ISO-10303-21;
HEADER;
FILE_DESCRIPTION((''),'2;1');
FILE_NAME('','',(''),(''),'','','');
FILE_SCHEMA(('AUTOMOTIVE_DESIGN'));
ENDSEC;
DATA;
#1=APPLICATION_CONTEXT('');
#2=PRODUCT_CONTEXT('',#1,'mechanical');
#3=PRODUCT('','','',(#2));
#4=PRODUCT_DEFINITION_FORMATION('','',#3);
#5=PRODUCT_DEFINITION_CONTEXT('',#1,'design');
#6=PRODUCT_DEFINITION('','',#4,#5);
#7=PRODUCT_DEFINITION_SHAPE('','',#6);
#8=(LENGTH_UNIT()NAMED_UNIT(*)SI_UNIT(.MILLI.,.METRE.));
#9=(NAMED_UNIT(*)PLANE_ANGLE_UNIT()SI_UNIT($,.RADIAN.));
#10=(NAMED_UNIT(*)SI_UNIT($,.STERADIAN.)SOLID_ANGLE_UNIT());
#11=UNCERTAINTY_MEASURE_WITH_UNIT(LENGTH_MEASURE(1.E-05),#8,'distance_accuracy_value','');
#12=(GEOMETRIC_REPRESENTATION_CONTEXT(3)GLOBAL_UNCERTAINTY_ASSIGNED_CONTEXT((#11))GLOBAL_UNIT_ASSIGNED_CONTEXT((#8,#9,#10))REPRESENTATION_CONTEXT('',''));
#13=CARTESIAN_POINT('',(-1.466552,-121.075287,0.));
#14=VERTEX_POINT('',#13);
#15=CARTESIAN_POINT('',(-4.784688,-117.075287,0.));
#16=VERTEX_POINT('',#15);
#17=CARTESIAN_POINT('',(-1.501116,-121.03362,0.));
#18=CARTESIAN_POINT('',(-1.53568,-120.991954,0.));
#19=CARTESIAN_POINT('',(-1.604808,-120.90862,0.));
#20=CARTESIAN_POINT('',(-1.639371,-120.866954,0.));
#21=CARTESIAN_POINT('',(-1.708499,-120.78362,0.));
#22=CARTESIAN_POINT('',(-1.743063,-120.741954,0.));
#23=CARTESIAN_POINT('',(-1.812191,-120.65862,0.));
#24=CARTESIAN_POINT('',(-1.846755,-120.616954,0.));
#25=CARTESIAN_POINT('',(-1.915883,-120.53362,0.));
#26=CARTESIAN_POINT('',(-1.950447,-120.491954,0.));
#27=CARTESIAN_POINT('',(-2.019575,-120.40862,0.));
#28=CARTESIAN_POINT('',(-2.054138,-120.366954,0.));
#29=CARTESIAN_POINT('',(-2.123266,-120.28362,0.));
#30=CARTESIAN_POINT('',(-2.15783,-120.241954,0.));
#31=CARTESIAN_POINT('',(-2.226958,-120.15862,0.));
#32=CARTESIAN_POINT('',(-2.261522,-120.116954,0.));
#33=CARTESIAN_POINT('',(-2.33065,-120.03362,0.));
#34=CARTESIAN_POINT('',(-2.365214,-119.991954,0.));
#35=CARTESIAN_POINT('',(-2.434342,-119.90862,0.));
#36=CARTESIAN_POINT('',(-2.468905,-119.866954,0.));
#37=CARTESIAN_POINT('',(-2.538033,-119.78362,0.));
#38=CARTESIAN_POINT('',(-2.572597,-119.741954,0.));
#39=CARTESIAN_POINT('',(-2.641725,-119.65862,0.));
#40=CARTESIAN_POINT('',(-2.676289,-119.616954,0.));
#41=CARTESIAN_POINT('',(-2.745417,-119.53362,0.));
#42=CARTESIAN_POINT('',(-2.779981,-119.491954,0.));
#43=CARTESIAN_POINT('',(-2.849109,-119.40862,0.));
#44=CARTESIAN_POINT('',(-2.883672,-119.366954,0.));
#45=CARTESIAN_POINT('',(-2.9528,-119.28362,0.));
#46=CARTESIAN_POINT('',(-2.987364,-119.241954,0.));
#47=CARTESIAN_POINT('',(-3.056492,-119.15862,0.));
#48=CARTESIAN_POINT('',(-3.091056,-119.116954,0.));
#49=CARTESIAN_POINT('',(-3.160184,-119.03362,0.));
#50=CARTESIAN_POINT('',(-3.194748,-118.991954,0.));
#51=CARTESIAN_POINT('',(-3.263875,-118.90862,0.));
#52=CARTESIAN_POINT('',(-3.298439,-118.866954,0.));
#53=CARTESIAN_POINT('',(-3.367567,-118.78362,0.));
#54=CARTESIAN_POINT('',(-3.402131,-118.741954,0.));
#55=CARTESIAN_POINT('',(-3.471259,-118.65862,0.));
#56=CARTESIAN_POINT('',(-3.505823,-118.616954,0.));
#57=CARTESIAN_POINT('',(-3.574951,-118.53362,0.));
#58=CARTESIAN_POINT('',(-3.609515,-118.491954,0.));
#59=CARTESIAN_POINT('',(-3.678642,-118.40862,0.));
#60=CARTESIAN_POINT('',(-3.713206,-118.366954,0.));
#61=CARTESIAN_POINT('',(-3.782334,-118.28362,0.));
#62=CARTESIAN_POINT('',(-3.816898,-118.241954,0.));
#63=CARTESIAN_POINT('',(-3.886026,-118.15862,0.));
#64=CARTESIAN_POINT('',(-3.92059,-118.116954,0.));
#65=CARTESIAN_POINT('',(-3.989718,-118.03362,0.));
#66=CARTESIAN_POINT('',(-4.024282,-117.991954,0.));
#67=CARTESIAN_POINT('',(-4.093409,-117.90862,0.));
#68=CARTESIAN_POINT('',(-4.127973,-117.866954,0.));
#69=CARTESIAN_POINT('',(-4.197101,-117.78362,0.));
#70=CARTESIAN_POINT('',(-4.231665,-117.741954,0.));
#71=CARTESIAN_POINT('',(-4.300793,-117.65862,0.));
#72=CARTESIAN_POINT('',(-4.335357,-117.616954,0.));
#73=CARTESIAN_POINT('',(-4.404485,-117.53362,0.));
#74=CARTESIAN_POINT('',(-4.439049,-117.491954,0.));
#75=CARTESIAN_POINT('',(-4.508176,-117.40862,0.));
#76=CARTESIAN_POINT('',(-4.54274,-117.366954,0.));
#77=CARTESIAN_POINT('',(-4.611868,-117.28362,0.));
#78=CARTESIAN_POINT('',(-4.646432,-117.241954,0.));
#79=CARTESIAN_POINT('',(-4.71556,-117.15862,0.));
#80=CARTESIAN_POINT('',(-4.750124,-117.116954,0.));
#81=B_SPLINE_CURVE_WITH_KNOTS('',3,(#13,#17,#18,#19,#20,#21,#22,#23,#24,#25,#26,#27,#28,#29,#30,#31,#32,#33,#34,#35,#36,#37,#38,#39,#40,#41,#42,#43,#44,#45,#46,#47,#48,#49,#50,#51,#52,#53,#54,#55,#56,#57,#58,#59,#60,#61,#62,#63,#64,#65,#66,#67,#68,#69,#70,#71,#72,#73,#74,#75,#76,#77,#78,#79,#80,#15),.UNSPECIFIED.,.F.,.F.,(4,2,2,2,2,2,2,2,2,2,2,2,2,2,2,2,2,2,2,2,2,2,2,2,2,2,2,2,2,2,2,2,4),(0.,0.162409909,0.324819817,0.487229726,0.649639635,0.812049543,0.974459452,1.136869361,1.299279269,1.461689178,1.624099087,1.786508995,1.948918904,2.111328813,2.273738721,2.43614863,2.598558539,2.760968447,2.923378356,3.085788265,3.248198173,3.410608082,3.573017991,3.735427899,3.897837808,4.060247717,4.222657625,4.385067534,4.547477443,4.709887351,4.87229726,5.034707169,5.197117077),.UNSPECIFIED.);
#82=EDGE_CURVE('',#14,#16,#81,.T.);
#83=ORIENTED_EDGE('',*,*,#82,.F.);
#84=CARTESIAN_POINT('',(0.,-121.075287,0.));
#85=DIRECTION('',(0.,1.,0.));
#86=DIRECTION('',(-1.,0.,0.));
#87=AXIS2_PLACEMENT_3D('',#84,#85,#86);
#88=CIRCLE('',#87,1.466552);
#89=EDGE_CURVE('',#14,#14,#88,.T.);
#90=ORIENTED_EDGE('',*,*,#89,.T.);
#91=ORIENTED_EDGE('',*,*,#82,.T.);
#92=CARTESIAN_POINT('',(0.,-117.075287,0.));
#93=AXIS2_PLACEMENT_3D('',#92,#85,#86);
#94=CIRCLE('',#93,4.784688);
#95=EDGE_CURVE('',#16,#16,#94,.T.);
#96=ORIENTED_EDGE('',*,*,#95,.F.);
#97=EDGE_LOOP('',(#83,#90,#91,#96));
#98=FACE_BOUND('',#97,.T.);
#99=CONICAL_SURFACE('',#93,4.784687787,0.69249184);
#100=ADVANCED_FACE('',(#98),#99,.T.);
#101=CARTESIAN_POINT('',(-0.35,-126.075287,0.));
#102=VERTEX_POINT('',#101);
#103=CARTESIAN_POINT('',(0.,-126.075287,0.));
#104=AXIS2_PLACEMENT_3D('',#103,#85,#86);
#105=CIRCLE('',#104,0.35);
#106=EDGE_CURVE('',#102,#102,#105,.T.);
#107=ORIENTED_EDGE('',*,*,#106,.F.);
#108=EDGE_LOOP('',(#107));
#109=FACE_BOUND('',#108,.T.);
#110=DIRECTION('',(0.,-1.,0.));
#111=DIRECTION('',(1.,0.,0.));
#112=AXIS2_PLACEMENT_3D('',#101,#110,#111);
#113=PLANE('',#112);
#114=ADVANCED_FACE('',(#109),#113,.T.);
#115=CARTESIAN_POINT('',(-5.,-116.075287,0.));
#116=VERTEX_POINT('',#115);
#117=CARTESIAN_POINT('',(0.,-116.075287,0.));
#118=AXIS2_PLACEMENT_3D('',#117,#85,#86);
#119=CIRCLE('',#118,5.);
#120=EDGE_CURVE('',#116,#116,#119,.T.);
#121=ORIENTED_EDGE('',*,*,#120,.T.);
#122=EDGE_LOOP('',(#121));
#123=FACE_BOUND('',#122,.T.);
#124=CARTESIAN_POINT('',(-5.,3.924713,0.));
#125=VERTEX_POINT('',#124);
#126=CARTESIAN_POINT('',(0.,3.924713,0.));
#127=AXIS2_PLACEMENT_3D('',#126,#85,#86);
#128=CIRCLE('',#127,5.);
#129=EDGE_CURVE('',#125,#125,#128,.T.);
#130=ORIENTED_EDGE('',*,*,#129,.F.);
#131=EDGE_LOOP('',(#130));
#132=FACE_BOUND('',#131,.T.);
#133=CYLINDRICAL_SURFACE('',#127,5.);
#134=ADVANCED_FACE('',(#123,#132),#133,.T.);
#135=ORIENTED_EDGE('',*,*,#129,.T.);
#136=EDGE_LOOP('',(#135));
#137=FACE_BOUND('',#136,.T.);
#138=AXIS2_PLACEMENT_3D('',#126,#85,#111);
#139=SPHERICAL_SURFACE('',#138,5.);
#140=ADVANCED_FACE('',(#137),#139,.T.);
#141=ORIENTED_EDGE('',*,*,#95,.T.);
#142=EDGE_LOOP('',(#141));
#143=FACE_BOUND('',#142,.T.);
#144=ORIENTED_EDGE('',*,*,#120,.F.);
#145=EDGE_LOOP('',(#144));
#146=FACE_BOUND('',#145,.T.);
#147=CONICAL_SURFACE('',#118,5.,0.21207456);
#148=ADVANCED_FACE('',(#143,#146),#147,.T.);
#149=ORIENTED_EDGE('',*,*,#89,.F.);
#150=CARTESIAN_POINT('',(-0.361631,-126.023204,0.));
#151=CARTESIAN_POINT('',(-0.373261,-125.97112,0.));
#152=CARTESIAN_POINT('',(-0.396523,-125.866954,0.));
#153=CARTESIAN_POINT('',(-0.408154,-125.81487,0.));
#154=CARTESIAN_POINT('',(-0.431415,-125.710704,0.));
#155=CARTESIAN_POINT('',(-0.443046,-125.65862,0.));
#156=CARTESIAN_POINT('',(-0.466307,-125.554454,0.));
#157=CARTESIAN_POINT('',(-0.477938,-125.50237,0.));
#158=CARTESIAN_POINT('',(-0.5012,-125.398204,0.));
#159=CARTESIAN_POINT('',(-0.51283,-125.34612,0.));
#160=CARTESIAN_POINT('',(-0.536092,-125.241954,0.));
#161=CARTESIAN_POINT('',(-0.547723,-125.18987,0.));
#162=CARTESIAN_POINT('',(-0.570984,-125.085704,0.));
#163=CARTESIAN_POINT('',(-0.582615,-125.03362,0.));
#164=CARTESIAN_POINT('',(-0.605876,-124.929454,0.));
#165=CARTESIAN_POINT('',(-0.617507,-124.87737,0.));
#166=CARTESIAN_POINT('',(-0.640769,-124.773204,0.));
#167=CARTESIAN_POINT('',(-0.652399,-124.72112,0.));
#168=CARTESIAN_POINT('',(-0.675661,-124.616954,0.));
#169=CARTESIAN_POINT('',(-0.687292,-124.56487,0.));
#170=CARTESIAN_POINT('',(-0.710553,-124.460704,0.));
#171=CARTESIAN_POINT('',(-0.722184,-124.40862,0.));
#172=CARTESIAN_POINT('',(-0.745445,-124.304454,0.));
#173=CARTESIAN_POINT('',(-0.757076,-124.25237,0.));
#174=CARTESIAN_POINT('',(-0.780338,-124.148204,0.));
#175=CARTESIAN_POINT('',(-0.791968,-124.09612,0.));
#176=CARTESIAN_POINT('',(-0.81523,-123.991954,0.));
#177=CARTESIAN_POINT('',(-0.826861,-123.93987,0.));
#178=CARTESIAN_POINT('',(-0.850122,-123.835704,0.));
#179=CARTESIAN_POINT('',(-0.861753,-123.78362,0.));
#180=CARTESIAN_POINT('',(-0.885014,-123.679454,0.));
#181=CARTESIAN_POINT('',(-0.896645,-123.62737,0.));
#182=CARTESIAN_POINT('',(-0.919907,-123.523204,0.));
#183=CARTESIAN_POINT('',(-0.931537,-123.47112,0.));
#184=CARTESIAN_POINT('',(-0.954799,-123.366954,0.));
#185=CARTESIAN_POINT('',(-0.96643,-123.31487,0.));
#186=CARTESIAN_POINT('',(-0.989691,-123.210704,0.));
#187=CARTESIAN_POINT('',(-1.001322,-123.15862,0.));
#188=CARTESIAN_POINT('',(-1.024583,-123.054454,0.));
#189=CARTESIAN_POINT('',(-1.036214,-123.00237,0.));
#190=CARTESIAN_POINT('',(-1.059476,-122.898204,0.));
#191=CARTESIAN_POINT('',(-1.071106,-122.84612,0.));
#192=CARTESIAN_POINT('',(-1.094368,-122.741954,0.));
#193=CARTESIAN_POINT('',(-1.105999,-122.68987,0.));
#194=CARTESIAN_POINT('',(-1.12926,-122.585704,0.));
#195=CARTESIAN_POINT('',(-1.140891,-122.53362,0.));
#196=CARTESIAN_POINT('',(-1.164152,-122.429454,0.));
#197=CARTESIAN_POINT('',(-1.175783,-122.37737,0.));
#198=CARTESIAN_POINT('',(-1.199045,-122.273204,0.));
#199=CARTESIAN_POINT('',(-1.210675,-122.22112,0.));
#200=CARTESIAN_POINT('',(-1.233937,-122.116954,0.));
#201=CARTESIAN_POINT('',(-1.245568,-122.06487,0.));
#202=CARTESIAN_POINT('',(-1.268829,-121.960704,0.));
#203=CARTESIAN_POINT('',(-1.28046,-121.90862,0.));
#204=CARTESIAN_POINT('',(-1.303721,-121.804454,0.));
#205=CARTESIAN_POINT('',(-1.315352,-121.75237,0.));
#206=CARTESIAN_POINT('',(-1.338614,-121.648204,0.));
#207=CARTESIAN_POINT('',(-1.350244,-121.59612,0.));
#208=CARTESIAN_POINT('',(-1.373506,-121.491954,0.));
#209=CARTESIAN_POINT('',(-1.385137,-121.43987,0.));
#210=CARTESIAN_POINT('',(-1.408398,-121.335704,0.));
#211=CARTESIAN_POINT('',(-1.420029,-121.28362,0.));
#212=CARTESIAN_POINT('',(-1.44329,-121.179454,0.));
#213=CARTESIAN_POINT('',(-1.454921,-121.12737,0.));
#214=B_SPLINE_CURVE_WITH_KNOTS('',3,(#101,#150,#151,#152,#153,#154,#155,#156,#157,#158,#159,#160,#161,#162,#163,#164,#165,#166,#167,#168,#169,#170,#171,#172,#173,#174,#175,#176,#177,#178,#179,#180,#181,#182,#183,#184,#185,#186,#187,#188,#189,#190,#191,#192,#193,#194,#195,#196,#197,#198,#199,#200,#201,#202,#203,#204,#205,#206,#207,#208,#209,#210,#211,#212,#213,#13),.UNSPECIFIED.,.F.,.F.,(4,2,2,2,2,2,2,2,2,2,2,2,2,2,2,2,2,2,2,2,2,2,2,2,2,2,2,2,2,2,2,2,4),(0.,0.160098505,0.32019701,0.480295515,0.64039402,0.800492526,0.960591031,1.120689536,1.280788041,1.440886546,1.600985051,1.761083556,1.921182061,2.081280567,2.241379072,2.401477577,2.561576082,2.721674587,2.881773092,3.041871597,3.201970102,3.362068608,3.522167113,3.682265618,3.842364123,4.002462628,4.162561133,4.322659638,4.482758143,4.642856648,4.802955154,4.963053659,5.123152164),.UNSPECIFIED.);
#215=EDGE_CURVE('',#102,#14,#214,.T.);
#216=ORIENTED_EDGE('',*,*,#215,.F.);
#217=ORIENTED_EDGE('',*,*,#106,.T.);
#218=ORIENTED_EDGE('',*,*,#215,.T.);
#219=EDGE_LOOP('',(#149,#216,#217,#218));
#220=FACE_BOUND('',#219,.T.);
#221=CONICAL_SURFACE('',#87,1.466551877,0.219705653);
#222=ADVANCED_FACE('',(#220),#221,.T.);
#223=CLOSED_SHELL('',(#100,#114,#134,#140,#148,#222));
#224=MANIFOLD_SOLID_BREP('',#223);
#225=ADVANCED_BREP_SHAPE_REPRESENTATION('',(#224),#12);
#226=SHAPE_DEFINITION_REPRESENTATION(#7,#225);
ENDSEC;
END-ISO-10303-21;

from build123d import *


with BuildPart() as part:
    # Sketch1 → Revolve S (revolve)
    with BuildSketch(Plane.XY):
        with BuildLine():
            Line((0, 3.924713059), (0, -126.075286941))
            Line((0, -126.075286941), (-0.35, -126.075286941))
            Line((-0.35, -126.075286941), (-1.399584714, -121.375170737))
            Line((-1.399584714, -121.375170737), (-1.466551877, -121.075286941))
            Line((-1.466551877, -121.075286941), (-4.784687787, -117.075286941))
            Line((-4.784687787, -117.075286941), (-5, -116.075286941))
            Line((-5, -116.075286941), (-5, 3.924713059))
            ThreePointArc((-5, 3.924713059), (-3.535533906, 7.460246965), (0, 8.924713059))
            Line((0, 8.924713059), (0, 3.924713059))
        make_face()
    revolve(axis=Axis((0, 3.924713059, 0), (0, -1, 0)))


solid = part.part
